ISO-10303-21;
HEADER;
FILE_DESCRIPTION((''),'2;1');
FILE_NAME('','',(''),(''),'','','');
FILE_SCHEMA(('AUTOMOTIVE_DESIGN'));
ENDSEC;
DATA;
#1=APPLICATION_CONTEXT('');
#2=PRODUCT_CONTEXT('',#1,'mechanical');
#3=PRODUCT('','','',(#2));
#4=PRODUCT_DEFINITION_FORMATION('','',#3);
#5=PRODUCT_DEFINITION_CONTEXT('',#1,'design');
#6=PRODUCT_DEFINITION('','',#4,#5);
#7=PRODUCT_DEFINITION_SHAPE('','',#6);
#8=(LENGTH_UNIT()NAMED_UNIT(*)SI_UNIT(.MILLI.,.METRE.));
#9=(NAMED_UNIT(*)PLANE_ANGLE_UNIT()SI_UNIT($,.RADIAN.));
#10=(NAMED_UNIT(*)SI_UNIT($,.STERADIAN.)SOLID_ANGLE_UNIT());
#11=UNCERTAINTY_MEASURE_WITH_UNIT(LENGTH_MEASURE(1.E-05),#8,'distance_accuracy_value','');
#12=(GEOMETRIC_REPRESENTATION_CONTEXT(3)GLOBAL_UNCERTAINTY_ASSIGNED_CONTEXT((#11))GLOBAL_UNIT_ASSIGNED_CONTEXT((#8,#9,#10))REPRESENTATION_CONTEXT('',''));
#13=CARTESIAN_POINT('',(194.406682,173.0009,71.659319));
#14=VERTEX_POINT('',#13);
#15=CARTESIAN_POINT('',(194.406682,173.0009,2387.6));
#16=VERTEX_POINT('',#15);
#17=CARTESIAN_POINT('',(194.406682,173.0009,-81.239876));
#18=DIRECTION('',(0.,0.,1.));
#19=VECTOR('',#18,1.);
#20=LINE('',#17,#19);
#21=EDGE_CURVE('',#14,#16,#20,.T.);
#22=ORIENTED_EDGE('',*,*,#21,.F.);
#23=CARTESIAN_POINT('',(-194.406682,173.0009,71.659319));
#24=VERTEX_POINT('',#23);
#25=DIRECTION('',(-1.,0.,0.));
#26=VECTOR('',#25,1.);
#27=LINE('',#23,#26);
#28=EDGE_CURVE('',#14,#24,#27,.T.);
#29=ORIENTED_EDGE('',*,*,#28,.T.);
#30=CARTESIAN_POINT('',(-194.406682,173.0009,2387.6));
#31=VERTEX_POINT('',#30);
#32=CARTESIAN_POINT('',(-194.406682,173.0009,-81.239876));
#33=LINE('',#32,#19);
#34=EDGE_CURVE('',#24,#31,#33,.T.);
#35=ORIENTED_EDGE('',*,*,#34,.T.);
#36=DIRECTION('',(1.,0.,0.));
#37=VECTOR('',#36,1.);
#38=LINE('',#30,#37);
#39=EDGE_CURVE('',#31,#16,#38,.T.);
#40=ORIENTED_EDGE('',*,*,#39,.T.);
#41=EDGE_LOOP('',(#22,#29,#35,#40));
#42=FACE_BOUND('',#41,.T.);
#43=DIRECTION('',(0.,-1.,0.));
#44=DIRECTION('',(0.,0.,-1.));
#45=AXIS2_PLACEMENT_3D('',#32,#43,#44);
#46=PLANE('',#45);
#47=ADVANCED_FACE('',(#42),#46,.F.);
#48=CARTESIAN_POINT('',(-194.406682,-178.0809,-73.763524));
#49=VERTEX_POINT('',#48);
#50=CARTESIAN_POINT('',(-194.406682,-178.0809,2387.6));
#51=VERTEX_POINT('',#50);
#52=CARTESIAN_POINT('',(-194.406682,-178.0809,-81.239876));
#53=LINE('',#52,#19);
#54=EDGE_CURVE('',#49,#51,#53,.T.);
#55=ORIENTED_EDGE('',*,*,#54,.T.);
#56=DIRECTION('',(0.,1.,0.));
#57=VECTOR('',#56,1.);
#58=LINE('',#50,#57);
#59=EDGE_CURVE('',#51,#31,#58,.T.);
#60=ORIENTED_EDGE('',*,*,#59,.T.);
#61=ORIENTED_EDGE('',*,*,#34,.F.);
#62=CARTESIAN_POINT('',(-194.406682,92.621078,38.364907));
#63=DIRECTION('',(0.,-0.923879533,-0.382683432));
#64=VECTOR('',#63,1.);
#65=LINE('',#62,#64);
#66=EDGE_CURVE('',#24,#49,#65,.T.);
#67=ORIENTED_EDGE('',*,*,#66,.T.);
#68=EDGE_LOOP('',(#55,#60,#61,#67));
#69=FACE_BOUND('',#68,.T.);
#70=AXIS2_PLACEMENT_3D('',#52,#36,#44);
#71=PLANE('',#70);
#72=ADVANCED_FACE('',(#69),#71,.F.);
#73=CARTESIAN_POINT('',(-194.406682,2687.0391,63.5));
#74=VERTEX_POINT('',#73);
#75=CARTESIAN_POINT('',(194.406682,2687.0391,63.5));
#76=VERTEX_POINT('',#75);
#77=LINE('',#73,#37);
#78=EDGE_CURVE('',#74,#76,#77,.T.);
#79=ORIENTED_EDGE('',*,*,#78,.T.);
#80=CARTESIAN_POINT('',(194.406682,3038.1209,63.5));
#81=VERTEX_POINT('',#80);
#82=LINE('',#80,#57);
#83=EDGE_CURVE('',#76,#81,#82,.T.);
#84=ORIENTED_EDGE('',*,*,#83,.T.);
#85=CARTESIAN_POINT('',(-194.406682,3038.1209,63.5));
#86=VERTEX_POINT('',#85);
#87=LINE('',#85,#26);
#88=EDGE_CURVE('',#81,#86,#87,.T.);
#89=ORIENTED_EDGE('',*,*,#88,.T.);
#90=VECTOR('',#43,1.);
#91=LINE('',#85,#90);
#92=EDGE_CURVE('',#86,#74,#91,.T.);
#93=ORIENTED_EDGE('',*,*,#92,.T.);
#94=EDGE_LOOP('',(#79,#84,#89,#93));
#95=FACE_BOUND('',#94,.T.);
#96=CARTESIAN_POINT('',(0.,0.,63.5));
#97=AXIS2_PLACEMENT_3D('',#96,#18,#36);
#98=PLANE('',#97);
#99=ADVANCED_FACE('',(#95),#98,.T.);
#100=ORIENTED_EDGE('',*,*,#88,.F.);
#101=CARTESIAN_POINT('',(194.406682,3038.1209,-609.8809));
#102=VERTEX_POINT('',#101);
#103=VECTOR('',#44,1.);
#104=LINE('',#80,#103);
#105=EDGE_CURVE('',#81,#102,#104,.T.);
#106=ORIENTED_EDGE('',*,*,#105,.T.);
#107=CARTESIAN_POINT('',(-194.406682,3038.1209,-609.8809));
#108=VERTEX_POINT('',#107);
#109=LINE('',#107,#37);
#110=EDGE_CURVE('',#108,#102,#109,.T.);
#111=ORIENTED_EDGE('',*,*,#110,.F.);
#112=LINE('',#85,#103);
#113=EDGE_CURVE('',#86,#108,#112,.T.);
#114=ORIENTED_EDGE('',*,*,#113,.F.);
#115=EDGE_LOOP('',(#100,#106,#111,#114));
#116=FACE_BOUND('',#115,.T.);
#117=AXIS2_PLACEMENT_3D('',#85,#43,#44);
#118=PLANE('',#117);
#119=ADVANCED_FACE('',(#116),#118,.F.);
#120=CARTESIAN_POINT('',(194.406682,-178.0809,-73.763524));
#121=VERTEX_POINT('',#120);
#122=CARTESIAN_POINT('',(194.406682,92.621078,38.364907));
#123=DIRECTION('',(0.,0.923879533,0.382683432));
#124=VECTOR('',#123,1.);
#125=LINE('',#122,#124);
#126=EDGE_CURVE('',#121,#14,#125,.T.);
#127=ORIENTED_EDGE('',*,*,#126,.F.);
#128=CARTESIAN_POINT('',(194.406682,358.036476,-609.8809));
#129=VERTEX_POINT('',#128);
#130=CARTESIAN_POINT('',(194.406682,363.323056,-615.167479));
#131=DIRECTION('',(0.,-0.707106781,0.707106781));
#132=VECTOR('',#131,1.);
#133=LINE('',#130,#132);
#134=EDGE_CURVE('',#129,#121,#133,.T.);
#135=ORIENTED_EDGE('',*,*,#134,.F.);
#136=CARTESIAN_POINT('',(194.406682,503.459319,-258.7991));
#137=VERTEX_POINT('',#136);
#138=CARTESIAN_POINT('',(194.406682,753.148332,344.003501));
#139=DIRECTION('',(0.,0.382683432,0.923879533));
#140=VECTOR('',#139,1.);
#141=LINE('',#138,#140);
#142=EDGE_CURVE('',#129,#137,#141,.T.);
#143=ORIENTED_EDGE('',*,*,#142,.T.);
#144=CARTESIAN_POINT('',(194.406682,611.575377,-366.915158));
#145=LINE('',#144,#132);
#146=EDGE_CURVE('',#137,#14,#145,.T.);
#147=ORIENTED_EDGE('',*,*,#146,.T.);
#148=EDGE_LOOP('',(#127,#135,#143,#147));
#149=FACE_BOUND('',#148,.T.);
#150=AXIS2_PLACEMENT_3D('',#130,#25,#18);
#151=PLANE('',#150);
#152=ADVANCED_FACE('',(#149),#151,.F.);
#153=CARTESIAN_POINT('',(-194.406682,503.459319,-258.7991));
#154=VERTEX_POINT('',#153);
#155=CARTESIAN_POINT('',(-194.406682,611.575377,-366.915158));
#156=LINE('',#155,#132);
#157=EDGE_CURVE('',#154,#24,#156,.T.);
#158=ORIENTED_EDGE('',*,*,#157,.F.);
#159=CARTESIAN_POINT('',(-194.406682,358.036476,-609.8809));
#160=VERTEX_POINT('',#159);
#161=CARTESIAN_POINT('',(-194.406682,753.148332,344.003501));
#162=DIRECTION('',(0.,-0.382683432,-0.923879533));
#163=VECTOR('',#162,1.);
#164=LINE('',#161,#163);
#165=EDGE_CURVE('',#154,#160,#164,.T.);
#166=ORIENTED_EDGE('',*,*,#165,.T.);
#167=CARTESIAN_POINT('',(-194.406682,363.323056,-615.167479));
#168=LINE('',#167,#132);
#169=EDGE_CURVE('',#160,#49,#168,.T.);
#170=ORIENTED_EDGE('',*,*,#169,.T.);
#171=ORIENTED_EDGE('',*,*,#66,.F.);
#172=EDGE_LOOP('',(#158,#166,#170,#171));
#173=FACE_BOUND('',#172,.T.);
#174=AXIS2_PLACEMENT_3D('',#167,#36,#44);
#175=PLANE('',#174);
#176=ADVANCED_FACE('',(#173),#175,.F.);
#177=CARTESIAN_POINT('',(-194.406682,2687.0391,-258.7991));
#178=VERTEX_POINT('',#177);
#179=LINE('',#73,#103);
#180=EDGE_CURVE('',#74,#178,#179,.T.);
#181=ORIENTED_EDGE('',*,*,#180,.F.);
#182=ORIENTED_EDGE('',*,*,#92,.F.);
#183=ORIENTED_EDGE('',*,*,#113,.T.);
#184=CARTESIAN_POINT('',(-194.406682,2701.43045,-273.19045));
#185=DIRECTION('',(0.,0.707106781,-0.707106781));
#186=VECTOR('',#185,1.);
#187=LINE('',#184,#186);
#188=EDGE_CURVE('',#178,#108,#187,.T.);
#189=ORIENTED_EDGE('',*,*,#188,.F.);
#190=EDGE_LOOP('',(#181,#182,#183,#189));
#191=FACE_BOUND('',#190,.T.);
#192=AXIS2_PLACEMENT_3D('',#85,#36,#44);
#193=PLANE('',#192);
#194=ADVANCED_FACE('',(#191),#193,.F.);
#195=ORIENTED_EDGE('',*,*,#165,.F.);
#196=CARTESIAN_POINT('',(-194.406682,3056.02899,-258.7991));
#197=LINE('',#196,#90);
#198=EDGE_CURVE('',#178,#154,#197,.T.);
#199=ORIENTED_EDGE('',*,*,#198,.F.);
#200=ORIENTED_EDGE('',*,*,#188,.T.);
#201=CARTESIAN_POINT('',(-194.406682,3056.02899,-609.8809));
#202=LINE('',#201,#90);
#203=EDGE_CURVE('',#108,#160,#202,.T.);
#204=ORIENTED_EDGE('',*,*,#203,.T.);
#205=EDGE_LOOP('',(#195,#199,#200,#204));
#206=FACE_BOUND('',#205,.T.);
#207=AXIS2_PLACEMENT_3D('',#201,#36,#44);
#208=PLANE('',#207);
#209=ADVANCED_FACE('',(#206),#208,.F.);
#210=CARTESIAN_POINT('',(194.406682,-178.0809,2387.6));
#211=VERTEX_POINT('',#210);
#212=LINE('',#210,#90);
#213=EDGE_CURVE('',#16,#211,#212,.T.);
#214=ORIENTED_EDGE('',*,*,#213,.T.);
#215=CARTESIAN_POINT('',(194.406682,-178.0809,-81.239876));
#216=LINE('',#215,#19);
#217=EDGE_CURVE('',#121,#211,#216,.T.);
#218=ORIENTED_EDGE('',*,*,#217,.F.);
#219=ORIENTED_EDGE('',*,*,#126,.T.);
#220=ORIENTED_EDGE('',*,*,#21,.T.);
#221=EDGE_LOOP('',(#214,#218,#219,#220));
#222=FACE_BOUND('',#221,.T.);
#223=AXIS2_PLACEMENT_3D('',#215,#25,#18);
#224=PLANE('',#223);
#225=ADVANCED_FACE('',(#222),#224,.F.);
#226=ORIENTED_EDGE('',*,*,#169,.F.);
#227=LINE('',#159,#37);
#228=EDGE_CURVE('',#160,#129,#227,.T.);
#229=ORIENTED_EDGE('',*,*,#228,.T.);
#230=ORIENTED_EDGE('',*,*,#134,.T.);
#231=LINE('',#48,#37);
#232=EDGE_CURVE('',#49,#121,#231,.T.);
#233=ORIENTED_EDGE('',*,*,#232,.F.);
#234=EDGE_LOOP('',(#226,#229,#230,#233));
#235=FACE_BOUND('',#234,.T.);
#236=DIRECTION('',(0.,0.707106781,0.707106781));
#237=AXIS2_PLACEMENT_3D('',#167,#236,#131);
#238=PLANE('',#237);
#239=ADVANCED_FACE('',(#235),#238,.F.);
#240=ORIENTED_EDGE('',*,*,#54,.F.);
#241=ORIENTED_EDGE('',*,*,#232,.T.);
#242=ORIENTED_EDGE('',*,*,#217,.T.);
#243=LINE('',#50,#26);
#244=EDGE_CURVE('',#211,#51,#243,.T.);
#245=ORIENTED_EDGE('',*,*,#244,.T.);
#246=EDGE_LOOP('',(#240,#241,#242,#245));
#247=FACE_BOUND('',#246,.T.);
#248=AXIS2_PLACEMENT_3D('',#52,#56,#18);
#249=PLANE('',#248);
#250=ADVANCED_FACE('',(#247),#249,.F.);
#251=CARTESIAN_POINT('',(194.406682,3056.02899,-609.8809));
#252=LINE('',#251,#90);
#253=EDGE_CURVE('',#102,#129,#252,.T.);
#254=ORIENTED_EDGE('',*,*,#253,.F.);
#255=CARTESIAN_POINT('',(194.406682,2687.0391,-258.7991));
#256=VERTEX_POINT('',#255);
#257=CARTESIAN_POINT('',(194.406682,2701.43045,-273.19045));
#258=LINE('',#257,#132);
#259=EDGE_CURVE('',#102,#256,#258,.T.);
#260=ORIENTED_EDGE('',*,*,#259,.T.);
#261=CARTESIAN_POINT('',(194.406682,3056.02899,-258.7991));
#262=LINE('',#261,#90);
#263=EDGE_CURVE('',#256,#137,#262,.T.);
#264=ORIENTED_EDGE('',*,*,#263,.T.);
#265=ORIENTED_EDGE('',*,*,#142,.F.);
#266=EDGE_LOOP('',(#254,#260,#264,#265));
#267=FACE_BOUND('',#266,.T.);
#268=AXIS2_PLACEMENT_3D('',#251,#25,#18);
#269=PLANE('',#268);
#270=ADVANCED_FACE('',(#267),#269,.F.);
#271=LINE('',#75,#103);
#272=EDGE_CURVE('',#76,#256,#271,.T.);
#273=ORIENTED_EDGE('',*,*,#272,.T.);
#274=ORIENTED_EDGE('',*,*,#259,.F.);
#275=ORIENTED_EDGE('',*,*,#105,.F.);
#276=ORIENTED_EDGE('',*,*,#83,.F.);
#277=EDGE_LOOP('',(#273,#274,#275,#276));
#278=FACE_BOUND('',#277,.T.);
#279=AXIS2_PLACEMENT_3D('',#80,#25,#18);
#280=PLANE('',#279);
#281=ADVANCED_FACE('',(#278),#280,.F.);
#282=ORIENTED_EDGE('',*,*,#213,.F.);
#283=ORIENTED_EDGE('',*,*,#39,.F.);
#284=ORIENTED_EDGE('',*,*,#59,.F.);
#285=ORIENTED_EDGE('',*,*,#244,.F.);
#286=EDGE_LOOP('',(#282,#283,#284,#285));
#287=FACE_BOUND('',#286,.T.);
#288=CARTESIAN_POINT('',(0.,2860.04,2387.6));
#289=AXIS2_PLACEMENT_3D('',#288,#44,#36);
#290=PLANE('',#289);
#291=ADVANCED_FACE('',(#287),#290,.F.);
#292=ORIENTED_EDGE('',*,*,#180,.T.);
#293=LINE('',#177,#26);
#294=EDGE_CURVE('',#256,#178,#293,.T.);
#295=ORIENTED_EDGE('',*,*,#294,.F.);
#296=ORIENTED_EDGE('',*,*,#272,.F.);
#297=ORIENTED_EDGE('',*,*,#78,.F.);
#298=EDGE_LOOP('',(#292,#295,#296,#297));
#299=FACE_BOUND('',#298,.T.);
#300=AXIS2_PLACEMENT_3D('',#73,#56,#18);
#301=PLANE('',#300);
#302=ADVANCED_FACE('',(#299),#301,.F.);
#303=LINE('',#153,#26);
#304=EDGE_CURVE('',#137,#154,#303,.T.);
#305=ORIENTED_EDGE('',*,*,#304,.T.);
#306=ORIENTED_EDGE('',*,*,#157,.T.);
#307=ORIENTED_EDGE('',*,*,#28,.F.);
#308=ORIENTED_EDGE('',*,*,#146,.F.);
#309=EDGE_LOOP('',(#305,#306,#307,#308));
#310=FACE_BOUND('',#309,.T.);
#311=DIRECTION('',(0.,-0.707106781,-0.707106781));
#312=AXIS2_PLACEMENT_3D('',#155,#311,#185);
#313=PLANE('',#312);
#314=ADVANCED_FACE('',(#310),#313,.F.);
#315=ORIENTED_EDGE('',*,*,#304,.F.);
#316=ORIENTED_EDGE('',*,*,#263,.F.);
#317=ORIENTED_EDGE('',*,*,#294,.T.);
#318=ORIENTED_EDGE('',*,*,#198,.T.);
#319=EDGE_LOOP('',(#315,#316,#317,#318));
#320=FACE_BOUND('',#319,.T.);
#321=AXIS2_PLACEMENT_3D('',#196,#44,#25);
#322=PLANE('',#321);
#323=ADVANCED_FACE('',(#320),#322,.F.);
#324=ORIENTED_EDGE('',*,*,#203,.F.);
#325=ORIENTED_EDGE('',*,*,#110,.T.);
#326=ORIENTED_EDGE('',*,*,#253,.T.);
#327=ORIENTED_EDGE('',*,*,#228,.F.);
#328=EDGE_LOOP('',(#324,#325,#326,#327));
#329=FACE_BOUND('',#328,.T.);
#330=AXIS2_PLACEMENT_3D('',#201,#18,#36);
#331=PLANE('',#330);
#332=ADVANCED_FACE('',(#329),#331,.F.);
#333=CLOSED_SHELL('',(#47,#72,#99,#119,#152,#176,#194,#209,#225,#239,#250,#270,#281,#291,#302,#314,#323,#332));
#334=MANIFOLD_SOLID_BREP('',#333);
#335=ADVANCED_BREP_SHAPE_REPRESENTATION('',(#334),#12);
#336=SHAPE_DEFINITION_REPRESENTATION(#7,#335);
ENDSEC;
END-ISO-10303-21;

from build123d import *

# Parameters (mm, degrees)
SKETCH2_W = 388.813364174
SKETCH2_H = 351.081799862


with BuildPart() as part:
    # Sweep1: sweep along a path in Sketch1
    with BuildLine(Plane(origin=(0, 0, 0), x_dir=(0, 0, -1), z_dir=(1, 0, 0))) as sweep1_path:
        Line((-2387.6, 0), (0, 0))
        Line((0, 0), (431.8, 431.8))
        Line((431.8, 431.8), (431.8, 2860.04))
        Line((431.8, 2860.04), (-63.5, 2860.04))
    # Sketch2 → Sweep1 (sweep)
    with BuildSketch(Plane.XY):
        with Locations((0, 2862.58)):
            Rectangle(SKETCH2_W, SKETCH2_H)
    sweep(path=sweep1_path.line, transition=Transition.RIGHT)


solid = part.part
